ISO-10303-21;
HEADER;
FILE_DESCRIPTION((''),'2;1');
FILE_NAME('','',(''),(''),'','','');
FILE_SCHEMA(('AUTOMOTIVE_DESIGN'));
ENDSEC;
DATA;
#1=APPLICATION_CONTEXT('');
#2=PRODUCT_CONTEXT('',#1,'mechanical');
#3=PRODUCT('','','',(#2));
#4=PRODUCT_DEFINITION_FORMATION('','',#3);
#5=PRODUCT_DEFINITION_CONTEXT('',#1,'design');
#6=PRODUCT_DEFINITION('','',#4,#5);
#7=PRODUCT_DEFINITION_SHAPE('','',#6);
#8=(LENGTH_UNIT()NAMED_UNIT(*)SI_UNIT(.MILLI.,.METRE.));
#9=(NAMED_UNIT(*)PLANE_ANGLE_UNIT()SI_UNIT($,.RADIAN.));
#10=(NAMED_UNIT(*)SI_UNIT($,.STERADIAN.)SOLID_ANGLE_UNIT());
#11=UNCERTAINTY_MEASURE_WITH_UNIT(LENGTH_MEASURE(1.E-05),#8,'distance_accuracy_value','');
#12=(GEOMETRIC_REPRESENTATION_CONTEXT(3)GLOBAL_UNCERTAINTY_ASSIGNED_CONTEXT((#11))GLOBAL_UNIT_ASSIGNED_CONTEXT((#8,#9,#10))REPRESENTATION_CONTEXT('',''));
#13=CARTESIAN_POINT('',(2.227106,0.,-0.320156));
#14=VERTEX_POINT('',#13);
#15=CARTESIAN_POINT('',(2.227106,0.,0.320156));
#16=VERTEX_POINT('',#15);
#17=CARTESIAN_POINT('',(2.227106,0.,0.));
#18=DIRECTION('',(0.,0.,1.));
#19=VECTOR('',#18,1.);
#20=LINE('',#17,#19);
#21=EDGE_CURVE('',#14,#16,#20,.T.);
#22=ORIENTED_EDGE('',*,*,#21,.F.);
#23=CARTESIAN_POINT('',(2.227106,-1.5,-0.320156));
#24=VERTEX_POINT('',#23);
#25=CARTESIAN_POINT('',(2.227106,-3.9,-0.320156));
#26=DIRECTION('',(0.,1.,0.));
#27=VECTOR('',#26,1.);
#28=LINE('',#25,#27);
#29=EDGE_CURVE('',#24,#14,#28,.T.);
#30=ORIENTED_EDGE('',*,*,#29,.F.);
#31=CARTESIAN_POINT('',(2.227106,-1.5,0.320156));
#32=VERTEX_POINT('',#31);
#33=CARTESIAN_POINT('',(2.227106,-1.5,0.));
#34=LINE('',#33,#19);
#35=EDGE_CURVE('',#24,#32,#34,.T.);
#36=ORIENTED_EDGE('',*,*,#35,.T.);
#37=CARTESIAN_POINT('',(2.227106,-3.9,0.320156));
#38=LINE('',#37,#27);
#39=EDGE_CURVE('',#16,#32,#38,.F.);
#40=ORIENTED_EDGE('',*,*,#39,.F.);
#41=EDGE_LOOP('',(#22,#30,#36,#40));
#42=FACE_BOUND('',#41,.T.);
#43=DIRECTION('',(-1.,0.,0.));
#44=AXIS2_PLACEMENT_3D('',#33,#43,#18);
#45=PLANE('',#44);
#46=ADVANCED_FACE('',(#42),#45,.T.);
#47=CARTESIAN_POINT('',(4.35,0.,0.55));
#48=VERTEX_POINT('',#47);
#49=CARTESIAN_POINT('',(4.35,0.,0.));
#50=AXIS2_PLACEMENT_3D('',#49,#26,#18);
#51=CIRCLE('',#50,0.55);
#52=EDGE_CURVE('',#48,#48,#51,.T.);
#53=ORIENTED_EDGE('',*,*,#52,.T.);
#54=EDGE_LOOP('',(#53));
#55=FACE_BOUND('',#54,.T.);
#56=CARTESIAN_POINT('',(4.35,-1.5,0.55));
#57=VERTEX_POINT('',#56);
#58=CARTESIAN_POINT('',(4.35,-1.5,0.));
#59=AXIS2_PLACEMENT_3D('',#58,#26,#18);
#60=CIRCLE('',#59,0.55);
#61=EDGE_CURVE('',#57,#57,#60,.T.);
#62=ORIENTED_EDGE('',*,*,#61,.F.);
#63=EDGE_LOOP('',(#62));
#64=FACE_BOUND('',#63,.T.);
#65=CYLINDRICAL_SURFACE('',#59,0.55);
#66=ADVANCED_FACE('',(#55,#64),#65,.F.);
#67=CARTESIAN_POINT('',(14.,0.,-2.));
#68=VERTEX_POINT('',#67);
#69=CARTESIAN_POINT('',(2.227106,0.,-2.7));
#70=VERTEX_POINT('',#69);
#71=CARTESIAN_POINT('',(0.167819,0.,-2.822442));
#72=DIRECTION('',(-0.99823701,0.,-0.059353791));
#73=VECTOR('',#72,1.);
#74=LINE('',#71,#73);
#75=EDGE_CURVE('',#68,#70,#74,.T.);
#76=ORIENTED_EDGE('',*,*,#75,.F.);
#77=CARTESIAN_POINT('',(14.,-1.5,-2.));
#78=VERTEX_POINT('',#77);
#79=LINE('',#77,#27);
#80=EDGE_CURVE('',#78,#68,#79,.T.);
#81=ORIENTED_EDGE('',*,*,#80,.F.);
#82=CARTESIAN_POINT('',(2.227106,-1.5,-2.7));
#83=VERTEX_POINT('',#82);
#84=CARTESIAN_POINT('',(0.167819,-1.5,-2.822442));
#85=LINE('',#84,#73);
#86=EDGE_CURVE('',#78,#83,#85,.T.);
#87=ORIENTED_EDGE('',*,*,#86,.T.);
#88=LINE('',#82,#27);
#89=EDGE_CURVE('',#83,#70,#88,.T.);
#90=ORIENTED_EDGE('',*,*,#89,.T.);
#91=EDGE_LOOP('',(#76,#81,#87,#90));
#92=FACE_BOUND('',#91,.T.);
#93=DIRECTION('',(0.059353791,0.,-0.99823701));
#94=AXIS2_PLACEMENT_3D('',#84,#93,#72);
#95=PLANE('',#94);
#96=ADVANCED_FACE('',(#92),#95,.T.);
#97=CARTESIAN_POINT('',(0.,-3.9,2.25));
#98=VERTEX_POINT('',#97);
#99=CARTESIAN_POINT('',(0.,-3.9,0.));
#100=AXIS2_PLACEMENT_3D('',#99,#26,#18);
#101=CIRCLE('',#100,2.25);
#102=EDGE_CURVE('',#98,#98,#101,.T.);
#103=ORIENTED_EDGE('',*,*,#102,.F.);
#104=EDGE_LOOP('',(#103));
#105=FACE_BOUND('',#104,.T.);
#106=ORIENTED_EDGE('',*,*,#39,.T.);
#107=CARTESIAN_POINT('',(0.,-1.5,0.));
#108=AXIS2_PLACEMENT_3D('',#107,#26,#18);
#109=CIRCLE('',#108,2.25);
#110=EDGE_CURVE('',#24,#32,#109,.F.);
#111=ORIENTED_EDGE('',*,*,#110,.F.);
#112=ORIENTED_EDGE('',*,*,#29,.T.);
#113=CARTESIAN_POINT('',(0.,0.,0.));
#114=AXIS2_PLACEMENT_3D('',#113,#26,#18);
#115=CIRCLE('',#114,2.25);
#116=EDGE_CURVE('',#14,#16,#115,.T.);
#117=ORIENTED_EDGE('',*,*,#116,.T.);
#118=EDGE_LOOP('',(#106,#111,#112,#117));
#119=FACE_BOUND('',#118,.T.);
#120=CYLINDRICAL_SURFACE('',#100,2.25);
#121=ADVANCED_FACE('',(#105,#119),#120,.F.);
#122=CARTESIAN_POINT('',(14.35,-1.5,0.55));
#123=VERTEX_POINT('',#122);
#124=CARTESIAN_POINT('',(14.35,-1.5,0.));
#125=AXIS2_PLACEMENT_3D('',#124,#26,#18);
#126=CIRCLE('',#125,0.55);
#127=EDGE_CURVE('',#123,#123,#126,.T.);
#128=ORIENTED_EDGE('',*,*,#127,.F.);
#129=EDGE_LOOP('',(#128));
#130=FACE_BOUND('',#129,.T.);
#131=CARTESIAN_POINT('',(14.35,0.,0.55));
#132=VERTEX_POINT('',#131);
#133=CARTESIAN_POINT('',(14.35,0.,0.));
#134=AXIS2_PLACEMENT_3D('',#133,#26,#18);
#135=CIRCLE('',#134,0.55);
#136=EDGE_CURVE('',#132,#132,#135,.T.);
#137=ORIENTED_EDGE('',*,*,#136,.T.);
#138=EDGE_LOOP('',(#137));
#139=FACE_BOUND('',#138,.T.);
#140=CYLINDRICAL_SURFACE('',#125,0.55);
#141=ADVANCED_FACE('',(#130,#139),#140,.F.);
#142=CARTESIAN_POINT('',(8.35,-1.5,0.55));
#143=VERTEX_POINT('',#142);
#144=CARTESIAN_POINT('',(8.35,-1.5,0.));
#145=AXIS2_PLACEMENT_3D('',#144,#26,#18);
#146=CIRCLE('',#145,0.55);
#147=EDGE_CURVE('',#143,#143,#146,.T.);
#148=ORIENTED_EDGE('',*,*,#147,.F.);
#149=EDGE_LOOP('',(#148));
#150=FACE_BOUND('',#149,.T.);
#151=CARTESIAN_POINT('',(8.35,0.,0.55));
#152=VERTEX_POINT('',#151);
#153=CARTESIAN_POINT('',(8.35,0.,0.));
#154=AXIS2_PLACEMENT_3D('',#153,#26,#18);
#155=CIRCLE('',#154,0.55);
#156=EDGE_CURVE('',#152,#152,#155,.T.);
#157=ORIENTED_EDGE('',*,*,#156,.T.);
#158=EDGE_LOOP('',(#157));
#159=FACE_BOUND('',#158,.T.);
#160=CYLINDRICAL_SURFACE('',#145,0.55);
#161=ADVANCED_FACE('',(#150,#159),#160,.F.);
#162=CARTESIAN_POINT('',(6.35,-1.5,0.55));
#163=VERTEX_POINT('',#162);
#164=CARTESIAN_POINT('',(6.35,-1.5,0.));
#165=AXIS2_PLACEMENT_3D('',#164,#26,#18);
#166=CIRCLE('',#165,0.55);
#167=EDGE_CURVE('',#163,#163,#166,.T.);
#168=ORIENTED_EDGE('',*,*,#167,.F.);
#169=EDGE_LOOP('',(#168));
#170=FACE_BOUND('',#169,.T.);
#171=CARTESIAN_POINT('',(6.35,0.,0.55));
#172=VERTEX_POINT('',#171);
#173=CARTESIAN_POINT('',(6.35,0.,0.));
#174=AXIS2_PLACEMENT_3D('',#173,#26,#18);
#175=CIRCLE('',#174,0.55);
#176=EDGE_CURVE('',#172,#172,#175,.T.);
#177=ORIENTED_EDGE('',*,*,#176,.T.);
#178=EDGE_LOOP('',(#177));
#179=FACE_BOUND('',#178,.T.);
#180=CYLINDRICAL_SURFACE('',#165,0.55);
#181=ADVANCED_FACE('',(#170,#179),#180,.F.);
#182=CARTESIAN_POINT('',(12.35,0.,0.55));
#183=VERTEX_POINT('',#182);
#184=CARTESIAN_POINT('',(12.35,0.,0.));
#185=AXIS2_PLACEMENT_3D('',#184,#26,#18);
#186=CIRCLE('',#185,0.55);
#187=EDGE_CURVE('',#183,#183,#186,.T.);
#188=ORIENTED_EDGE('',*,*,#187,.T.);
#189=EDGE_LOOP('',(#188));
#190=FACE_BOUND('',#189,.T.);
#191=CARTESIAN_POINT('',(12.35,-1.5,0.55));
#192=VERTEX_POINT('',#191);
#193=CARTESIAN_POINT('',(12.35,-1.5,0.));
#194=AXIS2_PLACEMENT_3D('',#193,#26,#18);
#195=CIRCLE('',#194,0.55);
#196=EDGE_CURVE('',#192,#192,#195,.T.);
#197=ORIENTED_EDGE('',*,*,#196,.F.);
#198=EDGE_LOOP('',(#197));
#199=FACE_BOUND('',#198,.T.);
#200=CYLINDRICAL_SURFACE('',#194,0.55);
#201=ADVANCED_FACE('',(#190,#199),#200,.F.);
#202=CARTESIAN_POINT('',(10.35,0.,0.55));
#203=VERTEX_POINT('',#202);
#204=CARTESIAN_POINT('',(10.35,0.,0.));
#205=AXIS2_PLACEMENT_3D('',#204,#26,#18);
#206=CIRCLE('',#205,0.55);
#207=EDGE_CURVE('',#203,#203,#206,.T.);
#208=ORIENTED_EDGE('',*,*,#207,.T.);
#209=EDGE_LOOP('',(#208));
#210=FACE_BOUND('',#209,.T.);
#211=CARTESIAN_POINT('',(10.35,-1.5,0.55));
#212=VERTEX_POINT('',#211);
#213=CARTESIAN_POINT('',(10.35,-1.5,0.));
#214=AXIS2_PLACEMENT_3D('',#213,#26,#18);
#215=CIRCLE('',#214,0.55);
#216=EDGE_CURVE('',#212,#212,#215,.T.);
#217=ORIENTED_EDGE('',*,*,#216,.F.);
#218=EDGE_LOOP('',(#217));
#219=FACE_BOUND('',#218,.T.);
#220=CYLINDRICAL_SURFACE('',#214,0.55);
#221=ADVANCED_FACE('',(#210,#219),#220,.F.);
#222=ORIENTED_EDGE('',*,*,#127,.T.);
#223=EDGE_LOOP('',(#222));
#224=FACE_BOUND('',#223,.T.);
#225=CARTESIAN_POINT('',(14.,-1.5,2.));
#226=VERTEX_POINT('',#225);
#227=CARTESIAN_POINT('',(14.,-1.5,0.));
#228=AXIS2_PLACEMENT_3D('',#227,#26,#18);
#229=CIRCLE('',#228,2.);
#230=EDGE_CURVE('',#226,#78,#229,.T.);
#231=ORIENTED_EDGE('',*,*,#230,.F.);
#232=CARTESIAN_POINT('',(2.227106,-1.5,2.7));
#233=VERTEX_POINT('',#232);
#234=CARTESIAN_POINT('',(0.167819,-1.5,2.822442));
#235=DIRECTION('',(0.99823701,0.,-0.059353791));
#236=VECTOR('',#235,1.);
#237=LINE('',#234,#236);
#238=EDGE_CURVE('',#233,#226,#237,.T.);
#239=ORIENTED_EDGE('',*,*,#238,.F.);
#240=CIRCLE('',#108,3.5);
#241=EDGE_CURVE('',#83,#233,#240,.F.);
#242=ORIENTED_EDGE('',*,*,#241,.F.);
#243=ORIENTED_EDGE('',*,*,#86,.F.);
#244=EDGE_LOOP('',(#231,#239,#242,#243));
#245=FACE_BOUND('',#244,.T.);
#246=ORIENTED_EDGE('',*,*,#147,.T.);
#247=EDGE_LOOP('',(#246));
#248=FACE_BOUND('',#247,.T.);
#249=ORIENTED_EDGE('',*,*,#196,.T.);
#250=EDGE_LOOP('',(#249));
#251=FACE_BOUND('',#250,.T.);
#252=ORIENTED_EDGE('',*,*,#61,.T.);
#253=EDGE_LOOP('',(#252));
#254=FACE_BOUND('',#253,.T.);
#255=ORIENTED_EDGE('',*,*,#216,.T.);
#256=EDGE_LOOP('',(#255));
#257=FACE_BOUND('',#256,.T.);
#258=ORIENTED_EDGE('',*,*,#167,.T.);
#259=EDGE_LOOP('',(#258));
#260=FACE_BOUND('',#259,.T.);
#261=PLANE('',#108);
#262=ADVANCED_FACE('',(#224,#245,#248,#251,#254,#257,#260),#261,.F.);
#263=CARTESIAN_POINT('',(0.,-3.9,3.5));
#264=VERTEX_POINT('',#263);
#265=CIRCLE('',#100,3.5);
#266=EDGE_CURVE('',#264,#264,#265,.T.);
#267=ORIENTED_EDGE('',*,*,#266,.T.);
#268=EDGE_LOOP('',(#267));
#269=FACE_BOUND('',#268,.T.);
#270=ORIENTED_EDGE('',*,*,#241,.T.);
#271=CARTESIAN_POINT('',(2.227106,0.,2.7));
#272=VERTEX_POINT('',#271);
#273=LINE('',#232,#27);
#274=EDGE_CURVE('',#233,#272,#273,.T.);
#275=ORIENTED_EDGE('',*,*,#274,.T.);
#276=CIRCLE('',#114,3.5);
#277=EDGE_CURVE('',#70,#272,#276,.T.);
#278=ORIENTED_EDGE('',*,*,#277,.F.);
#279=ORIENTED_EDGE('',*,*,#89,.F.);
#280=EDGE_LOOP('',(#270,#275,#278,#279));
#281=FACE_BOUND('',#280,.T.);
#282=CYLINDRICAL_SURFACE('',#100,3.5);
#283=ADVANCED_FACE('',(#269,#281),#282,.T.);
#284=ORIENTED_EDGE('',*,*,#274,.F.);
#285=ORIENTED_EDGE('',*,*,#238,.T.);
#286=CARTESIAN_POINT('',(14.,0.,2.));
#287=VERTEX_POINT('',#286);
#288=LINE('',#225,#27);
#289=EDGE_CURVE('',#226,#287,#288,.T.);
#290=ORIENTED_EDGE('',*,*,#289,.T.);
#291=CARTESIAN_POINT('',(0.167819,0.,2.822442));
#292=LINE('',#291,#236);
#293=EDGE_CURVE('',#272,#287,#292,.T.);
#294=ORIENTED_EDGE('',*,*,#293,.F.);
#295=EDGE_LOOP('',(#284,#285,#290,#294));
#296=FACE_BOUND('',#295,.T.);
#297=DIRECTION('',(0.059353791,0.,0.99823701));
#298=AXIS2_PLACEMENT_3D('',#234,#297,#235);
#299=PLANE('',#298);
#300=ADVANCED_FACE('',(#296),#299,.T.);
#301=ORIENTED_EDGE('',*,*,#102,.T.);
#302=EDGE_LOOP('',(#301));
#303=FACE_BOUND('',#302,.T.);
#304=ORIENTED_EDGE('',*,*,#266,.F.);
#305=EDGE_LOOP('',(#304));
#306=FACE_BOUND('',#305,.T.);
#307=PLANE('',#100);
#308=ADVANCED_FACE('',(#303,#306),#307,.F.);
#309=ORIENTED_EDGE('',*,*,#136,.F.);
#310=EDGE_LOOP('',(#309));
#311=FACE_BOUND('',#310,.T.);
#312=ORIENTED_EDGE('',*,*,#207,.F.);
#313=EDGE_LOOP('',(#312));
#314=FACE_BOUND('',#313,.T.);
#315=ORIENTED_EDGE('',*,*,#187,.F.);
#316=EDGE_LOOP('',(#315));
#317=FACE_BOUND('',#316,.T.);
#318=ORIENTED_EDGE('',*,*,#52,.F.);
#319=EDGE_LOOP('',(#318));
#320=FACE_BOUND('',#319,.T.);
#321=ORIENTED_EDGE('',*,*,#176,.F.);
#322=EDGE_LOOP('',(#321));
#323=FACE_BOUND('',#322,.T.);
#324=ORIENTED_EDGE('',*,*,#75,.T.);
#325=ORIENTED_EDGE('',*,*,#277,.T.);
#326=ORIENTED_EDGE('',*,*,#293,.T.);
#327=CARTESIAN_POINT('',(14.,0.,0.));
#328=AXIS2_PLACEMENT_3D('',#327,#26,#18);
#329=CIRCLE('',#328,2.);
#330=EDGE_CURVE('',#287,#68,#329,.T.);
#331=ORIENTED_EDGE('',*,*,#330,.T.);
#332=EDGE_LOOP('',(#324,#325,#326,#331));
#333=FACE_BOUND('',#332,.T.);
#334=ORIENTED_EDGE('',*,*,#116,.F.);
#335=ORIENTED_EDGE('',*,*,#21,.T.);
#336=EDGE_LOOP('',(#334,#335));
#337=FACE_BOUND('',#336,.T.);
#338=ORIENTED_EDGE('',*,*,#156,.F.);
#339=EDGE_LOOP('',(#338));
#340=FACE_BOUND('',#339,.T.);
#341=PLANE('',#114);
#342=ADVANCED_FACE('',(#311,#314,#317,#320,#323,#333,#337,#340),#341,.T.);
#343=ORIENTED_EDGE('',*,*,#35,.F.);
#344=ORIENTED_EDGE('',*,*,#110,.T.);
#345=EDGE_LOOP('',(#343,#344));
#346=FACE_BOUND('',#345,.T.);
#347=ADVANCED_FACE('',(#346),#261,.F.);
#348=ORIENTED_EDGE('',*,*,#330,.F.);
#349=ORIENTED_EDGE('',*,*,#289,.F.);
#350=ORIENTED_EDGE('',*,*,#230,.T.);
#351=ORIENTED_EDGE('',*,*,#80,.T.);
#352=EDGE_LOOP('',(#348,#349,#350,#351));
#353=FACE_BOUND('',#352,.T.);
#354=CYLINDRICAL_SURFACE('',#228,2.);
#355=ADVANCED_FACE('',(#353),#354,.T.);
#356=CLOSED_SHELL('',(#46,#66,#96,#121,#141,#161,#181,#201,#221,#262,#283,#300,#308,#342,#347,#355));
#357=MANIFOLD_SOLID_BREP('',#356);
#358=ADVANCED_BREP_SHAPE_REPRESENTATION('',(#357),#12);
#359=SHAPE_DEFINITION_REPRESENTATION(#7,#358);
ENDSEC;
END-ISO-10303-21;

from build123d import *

# Parameters (mm, degrees)
SKETCH1_R           = 3.5
SKETCH1_R_2         = 2.25
BOSS_EXTRUDE1_DEPTH = 3.9
SKETCH2_R           = 2
BOSS_EXTRUDE2_DEPTH = 1.5
SKETCH3_R           = 0.55
CUT_EXTRUDE1_DEPTH  = 1.5
LPATTERN1_COUNT     = 6
LPATTERN1_PITCH     = 2


with BuildPart() as part:
    # Sketch1 → Boss-Extrude1 (new body)
    with BuildSketch(Plane(origin=(0, 0, 0), x_dir=(1, 0, 0), z_dir=(0, 1, 0))):
        Circle(SKETCH1_R)
        Circle(SKETCH1_R_2, mode=Mode.SUBTRACT)
    extrude(amount=-BOSS_EXTRUDE1_DEPTH)

    # Sketch2 → Boss-Extrude2 (add)
    with BuildSketch(Plane(origin=(0, 0, 0), x_dir=(1, 0, 0), z_dir=(0, 1, 0))):
        with BuildLine():
            ThreePointArc((14, -2), (12, 0), (14, 2))
            Line((14, 2), (2.227105745, 2.7))
            Line((2.227105745, 2.7), (2.227105745, -2.7))
            Line((2.227105745, -2.7), (14, -2))
        make_face()
        with Locations((14, 0)):
            Circle(SKETCH2_R)
    extrude(amount=-BOSS_EXTRUDE2_DEPTH)

    # Sketch3 → Cut-Extrude1 (cut)
    with BuildSketch(Plane(origin=(0, 0, 0), x_dir=(1, 0, 0), z_dir=(0, 1, 0))):
        with Locations((14.35, 0)):
            Circle(SKETCH3_R)
    cut_extrude1 = extrude(amount=-CUT_EXTRUDE1_DEPTH, mode=Mode.SUBTRACT)

    # LPattern1: Cut-Extrude1 ×6
    with Locations(*[(-i * LPATTERN1_PITCH, 0, 0) for i in range(1, LPATTERN1_COUNT)]):
        add(cut_extrude1, mode=Mode.SUBTRACT)


solid = part.part
